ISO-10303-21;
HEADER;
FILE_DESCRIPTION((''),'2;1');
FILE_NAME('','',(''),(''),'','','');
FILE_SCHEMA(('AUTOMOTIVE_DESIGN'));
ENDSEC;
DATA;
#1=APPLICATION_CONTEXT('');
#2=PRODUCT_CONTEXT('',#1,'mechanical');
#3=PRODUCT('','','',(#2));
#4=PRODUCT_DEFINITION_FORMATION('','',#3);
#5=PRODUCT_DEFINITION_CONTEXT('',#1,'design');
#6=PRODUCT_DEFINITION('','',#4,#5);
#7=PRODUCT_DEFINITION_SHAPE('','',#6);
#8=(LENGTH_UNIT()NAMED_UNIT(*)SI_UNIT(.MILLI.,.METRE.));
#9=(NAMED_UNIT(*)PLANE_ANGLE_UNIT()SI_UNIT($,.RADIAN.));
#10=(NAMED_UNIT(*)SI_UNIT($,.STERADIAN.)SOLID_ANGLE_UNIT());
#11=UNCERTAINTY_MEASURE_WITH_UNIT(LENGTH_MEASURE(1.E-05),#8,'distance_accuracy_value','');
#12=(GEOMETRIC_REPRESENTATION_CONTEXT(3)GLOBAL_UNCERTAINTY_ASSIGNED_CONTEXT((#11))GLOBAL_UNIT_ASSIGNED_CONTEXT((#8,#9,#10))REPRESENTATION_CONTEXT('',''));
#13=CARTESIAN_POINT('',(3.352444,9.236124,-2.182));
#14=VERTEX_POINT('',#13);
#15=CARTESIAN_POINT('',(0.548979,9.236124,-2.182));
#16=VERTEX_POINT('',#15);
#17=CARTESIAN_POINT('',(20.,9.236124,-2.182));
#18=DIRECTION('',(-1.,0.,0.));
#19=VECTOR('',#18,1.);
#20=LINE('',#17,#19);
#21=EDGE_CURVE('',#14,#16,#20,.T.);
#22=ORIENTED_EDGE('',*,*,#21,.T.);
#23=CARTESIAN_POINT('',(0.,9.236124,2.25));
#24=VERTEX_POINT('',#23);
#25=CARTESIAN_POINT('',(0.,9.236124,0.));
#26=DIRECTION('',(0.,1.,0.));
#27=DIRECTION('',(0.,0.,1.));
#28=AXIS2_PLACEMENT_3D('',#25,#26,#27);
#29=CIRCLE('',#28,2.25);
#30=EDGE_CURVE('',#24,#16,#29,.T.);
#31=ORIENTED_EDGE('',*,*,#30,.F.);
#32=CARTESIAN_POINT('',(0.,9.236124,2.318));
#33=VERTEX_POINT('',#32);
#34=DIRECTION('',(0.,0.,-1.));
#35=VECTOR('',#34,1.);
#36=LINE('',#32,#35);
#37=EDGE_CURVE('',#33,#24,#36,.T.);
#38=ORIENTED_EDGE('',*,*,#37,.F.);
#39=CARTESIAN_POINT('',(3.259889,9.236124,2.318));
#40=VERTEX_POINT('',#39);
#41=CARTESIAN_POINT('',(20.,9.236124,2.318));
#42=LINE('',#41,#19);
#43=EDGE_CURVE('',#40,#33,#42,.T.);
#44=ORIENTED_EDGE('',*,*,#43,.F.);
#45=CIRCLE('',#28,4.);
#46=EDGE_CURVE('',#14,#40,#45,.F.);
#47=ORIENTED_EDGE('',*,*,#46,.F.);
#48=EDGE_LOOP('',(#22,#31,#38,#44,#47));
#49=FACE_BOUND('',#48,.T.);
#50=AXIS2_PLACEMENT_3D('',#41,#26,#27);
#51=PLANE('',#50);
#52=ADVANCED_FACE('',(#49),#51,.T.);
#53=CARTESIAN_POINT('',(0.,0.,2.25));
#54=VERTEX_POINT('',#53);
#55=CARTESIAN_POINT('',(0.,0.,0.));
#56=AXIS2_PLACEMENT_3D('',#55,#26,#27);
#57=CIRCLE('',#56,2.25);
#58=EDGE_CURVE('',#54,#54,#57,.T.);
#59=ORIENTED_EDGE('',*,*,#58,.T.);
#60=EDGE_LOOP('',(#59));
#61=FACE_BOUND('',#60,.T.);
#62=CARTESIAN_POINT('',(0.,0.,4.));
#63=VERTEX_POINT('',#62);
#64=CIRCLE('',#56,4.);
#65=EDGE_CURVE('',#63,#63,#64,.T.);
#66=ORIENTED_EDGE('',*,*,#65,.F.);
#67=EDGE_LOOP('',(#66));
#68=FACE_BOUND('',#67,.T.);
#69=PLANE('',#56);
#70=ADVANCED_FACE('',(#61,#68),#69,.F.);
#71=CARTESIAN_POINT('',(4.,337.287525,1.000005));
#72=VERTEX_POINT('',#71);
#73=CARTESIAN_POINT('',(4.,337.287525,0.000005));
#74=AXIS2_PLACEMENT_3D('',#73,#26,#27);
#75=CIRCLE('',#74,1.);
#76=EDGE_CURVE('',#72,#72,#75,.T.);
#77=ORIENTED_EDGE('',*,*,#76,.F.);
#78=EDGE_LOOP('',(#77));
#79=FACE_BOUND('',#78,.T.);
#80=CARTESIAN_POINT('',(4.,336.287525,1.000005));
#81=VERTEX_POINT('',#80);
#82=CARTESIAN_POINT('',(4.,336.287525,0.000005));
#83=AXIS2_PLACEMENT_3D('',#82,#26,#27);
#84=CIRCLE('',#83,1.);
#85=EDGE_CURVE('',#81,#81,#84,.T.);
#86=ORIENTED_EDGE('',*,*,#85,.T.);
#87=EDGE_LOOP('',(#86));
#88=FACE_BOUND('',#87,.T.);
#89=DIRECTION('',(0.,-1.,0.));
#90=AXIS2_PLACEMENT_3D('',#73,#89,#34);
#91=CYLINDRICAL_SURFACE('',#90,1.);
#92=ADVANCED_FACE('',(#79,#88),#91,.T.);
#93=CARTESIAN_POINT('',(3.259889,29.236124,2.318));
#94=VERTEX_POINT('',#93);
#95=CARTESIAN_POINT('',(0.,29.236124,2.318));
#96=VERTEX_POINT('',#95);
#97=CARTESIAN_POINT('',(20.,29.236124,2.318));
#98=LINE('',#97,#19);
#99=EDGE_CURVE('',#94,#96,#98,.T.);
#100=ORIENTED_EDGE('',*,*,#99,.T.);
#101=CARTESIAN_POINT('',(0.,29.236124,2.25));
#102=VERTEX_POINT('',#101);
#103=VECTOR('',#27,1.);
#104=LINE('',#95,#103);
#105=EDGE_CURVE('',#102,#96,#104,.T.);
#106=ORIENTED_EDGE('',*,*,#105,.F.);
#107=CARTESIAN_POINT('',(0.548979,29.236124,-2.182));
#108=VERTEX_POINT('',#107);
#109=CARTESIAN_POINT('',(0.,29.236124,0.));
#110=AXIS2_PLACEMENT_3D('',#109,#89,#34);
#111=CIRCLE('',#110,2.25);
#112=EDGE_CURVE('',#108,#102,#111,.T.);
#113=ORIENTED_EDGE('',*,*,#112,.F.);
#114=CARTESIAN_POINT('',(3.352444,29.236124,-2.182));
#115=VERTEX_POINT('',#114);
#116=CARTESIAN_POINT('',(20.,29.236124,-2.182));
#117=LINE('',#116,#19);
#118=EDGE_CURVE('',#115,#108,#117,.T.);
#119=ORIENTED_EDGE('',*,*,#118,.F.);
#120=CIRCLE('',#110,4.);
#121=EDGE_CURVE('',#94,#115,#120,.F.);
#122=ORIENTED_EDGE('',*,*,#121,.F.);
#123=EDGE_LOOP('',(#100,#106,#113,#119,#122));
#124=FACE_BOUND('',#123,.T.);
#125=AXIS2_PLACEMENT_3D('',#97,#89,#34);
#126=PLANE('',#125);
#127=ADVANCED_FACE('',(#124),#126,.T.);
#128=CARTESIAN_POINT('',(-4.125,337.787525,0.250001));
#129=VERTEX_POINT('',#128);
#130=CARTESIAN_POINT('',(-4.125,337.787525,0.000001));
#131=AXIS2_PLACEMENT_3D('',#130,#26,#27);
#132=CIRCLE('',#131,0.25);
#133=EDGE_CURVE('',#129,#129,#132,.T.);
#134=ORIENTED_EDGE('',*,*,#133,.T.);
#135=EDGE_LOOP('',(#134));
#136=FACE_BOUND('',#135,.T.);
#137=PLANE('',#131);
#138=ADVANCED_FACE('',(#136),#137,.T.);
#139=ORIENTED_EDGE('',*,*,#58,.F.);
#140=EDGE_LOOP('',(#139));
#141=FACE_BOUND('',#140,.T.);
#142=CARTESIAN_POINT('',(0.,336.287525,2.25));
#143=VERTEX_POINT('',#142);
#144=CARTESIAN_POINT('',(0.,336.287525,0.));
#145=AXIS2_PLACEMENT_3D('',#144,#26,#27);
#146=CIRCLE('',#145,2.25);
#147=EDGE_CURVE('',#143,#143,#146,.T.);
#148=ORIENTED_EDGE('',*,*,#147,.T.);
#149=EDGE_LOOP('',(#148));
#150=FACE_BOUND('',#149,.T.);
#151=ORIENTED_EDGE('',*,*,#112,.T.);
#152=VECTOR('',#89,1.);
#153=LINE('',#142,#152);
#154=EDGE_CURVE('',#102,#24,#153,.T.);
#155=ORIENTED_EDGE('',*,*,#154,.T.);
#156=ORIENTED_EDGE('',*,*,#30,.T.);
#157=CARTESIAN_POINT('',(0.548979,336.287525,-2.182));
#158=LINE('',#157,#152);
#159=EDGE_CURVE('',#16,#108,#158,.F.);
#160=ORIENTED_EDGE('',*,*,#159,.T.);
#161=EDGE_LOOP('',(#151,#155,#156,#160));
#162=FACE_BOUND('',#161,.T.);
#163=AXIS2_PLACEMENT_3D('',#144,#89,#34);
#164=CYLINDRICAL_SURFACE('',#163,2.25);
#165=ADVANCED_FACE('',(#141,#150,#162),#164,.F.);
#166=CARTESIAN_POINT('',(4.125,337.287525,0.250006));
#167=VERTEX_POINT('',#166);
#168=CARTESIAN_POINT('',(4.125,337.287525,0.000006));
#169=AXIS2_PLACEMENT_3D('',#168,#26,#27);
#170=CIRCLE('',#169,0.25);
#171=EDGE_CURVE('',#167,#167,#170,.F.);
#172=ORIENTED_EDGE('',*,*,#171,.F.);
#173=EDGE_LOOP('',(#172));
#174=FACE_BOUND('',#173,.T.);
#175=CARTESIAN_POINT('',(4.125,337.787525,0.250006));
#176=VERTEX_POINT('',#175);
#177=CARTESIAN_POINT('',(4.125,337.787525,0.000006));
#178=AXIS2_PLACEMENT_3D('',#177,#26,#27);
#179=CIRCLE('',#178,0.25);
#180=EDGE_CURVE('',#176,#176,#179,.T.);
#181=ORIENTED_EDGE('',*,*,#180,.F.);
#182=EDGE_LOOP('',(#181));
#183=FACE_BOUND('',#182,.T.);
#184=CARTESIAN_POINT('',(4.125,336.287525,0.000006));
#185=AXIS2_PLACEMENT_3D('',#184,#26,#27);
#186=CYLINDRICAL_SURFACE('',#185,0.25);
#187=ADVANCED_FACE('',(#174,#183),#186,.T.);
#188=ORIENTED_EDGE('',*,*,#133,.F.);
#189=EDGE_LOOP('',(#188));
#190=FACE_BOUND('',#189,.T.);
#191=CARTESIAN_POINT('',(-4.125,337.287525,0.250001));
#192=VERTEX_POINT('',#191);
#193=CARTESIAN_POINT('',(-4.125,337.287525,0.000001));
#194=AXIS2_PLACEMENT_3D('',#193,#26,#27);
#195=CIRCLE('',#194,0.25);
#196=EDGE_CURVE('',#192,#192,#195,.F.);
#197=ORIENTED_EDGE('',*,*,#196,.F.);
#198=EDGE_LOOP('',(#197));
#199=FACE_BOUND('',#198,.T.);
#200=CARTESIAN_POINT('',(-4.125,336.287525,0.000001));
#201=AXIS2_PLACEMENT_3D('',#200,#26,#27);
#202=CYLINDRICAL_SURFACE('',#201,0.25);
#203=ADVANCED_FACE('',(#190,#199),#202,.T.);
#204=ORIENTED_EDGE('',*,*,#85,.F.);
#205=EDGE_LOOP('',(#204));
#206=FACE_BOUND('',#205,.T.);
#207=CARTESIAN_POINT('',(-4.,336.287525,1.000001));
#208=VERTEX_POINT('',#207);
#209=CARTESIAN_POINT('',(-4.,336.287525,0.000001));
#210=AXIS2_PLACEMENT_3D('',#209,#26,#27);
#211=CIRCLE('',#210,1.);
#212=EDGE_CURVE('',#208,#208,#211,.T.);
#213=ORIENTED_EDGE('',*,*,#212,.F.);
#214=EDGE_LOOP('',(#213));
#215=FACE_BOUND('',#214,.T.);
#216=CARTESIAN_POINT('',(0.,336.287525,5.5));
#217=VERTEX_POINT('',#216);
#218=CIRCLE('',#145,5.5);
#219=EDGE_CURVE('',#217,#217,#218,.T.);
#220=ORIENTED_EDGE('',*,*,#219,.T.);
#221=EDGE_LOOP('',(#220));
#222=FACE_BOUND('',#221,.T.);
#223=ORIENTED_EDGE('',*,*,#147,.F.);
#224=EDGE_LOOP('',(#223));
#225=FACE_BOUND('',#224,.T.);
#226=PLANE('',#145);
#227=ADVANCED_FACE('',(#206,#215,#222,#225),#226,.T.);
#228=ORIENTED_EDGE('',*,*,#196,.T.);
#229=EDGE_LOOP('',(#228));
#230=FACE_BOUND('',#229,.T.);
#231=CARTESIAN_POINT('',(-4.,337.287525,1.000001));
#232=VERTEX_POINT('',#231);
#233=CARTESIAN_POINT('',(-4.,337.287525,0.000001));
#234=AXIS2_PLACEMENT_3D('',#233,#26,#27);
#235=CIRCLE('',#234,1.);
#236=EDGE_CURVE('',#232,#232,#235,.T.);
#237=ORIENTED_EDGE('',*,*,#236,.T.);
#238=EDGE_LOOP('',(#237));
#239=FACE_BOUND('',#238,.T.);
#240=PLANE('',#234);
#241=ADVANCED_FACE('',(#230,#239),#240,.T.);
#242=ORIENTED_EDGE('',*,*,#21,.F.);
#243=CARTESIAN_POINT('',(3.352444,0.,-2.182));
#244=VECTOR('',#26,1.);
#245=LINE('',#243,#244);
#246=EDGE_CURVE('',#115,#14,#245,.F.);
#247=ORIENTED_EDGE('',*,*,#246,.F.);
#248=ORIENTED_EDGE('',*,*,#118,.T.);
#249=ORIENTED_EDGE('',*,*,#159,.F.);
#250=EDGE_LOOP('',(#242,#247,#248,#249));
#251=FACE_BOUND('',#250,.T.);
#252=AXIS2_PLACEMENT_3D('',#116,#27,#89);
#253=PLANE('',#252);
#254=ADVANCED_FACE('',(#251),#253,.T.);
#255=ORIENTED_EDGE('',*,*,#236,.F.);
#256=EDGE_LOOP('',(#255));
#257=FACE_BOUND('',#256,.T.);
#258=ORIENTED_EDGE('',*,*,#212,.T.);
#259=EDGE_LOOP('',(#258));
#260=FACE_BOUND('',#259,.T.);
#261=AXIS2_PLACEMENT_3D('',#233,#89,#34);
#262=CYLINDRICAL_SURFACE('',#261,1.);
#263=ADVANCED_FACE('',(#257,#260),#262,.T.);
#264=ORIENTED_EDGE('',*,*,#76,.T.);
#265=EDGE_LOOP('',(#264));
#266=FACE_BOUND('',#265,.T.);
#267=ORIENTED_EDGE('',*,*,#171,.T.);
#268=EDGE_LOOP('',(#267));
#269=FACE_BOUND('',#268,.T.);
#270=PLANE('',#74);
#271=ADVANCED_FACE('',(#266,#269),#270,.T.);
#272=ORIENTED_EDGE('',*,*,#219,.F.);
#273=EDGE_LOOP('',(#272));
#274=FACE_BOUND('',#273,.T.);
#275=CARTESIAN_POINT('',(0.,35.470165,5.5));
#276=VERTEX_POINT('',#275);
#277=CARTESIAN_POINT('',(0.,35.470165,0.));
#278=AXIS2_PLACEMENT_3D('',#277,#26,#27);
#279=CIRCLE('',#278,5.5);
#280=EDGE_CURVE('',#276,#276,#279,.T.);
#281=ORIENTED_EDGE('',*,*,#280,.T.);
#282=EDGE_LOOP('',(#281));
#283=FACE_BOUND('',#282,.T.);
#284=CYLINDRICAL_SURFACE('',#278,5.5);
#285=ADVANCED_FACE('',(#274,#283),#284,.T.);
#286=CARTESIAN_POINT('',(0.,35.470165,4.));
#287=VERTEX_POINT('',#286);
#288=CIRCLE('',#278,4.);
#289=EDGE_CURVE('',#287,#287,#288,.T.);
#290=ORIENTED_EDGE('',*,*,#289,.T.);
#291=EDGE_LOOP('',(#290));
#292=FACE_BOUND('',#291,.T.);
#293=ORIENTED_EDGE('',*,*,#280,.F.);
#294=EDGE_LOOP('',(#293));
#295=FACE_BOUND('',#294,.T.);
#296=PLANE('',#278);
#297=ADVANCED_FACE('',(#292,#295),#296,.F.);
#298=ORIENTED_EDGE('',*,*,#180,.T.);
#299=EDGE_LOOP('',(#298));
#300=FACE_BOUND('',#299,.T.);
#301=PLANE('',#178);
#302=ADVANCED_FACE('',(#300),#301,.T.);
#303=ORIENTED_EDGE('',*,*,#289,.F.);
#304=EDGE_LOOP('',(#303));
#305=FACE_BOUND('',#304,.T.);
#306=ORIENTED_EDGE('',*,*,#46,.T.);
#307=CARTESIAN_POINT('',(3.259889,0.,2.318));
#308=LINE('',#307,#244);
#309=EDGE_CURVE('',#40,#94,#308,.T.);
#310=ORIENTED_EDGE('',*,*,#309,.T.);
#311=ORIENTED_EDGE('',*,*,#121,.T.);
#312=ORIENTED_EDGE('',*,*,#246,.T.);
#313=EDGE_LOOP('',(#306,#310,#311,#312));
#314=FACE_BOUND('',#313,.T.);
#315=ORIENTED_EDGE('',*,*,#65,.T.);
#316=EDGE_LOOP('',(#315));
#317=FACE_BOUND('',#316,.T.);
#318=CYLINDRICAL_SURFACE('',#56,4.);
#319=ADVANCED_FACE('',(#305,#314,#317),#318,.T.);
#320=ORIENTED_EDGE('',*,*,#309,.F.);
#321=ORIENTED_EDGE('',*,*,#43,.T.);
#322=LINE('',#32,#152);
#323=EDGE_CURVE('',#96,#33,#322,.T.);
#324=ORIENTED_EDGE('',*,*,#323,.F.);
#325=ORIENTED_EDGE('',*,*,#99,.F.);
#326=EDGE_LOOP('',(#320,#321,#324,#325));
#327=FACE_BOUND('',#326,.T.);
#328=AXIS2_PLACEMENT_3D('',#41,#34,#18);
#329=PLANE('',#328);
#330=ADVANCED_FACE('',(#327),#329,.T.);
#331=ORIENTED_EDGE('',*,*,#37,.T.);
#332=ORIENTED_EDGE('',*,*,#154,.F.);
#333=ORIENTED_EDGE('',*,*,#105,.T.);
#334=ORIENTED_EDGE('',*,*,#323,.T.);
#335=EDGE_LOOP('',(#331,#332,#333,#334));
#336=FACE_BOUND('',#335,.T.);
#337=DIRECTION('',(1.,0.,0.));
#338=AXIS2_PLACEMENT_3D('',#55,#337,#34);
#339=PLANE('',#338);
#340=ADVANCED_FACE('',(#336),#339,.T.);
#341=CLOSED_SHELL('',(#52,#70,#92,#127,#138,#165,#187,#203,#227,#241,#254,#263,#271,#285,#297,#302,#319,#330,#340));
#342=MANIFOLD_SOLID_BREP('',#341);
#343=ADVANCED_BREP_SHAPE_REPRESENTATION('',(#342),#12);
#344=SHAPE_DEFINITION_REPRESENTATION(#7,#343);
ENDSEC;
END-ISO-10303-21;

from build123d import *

# Parameters (mm, degrees)
SWEEP3_PROFILE_R    = 4
SWEEP4_PROFILE_R    = 5.5
SKETCH45_R          = 2.25
CUT_EXTRUDE2_DEPTH  = 337.377466094
SWEEP5_PROFILE_R    = 0.25
SWEEP6_PROFILE_R    = 0.25
SKETCH72_W          = 4.5
SKETCH72_H          = 20
CUT_EXTRUDE6_DEPTH  = 20
SKETCH77_R          = 1
BOSS_EXTRUDE1_DEPTH = 1


with BuildPart() as part:
    # Sweep3: sweep along a path in Sketch31
    with BuildLine(Plane.XY) as sweep3_path:
        Line((0, 0), (0, 35.470165431))
    # Sweep3 profile (on start of the path) → Sweep3 (sweep)
    with BuildSketch(Plane.ZX):
        Circle(SWEEP3_PROFILE_R)
    sweep(path=sweep3_path.line)

    # Sweep4: sweep along a path in Sketch38
    with BuildLine(Plane.XY) as sweep4_path:
        Line((0, 35.470165431), (0, 336.287525335))
    # Sweep4 profile (on start of the path) → Sweep4 (sweep)
    with BuildSketch(Plane.ZX.offset(35.470165431)):
        Circle(SWEEP4_PROFILE_R)
    sweep(path=sweep4_path.line)

    # Sketch45 → Cut-Extrude2 (cut, through all)
    with BuildSketch(Plane(origin=(0, 0, 0), x_dir=(1, 0, 0), z_dir=(0, 1, 0))):
        with Locations(Location((0, 0, 0), (0, 0, 270))):
            Circle(SKETCH45_R)
    extrude(amount=CUT_EXTRUDE2_DEPTH, mode=Mode.SUBTRACT)

    # Sweep5: sweep along a curve in space
    with BuildLine() as sweep5_path:
        Line((4.125, 336.287525335, 5.531e-06), (4.125, 337.787525335, 5.531e-06))
    # Sweep5 profile (on start of the path) → Sweep5 (sweep)
    with BuildSketch(Plane(origin=(4.125, 336.287525335, 5.531e-06), x_dir=(0, 0, 1), z_dir=(0, 1, 0))):
        Circle(SWEEP5_PROFILE_R)
    sweep(path=sweep5_path.line)

    # Sweep6: sweep along a curve in space
    with BuildLine() as sweep6_path:
        Line((-4.125, 336.287525335, 9.31e-07), (-4.125, 337.787525335, 9.31e-07))
    # Sweep6 profile (on start of the path) → Sweep6 (sweep)
    with BuildSketch(Plane(origin=(-4.125, 336.287525335, 9.31e-07), x_dir=(0, 0, 1), z_dir=(0, 1, 0))):
        Circle(SWEEP6_PROFILE_R)
    sweep(path=sweep6_path.line)

    # Sketch72 → Cut-Extrude6 (cut)
    with BuildSketch(Plane(origin=(0, 0, 0), x_dir=(0, 0, -1), z_dir=(1, 0, 0))):
        with Locations((-0.068000409, 19.236124066)):
            Rectangle(SKETCH72_W, SKETCH72_H)
    extrude(amount=CUT_EXTRUDE6_DEPTH, mode=Mode.SUBTRACT)

    # Sketch77 → Boss-Extrude1 (add)
    with BuildSketch(Plane(origin=(0, 336.287525335, 0), x_dir=(1, 0, 0), z_dir=(0, 1, 0))):
        with Locations(Location((-4, -9.03e-07, 0), (0, 0, 270))):
            Circle(SKETCH77_R)
        with Locations(Location((4, -5.363e-06, 0), (0, 0, 270))):
            Circle(SKETCH77_R)
    extrude(amount=BOSS_EXTRUDE1_DEPTH)


solid = part.part
